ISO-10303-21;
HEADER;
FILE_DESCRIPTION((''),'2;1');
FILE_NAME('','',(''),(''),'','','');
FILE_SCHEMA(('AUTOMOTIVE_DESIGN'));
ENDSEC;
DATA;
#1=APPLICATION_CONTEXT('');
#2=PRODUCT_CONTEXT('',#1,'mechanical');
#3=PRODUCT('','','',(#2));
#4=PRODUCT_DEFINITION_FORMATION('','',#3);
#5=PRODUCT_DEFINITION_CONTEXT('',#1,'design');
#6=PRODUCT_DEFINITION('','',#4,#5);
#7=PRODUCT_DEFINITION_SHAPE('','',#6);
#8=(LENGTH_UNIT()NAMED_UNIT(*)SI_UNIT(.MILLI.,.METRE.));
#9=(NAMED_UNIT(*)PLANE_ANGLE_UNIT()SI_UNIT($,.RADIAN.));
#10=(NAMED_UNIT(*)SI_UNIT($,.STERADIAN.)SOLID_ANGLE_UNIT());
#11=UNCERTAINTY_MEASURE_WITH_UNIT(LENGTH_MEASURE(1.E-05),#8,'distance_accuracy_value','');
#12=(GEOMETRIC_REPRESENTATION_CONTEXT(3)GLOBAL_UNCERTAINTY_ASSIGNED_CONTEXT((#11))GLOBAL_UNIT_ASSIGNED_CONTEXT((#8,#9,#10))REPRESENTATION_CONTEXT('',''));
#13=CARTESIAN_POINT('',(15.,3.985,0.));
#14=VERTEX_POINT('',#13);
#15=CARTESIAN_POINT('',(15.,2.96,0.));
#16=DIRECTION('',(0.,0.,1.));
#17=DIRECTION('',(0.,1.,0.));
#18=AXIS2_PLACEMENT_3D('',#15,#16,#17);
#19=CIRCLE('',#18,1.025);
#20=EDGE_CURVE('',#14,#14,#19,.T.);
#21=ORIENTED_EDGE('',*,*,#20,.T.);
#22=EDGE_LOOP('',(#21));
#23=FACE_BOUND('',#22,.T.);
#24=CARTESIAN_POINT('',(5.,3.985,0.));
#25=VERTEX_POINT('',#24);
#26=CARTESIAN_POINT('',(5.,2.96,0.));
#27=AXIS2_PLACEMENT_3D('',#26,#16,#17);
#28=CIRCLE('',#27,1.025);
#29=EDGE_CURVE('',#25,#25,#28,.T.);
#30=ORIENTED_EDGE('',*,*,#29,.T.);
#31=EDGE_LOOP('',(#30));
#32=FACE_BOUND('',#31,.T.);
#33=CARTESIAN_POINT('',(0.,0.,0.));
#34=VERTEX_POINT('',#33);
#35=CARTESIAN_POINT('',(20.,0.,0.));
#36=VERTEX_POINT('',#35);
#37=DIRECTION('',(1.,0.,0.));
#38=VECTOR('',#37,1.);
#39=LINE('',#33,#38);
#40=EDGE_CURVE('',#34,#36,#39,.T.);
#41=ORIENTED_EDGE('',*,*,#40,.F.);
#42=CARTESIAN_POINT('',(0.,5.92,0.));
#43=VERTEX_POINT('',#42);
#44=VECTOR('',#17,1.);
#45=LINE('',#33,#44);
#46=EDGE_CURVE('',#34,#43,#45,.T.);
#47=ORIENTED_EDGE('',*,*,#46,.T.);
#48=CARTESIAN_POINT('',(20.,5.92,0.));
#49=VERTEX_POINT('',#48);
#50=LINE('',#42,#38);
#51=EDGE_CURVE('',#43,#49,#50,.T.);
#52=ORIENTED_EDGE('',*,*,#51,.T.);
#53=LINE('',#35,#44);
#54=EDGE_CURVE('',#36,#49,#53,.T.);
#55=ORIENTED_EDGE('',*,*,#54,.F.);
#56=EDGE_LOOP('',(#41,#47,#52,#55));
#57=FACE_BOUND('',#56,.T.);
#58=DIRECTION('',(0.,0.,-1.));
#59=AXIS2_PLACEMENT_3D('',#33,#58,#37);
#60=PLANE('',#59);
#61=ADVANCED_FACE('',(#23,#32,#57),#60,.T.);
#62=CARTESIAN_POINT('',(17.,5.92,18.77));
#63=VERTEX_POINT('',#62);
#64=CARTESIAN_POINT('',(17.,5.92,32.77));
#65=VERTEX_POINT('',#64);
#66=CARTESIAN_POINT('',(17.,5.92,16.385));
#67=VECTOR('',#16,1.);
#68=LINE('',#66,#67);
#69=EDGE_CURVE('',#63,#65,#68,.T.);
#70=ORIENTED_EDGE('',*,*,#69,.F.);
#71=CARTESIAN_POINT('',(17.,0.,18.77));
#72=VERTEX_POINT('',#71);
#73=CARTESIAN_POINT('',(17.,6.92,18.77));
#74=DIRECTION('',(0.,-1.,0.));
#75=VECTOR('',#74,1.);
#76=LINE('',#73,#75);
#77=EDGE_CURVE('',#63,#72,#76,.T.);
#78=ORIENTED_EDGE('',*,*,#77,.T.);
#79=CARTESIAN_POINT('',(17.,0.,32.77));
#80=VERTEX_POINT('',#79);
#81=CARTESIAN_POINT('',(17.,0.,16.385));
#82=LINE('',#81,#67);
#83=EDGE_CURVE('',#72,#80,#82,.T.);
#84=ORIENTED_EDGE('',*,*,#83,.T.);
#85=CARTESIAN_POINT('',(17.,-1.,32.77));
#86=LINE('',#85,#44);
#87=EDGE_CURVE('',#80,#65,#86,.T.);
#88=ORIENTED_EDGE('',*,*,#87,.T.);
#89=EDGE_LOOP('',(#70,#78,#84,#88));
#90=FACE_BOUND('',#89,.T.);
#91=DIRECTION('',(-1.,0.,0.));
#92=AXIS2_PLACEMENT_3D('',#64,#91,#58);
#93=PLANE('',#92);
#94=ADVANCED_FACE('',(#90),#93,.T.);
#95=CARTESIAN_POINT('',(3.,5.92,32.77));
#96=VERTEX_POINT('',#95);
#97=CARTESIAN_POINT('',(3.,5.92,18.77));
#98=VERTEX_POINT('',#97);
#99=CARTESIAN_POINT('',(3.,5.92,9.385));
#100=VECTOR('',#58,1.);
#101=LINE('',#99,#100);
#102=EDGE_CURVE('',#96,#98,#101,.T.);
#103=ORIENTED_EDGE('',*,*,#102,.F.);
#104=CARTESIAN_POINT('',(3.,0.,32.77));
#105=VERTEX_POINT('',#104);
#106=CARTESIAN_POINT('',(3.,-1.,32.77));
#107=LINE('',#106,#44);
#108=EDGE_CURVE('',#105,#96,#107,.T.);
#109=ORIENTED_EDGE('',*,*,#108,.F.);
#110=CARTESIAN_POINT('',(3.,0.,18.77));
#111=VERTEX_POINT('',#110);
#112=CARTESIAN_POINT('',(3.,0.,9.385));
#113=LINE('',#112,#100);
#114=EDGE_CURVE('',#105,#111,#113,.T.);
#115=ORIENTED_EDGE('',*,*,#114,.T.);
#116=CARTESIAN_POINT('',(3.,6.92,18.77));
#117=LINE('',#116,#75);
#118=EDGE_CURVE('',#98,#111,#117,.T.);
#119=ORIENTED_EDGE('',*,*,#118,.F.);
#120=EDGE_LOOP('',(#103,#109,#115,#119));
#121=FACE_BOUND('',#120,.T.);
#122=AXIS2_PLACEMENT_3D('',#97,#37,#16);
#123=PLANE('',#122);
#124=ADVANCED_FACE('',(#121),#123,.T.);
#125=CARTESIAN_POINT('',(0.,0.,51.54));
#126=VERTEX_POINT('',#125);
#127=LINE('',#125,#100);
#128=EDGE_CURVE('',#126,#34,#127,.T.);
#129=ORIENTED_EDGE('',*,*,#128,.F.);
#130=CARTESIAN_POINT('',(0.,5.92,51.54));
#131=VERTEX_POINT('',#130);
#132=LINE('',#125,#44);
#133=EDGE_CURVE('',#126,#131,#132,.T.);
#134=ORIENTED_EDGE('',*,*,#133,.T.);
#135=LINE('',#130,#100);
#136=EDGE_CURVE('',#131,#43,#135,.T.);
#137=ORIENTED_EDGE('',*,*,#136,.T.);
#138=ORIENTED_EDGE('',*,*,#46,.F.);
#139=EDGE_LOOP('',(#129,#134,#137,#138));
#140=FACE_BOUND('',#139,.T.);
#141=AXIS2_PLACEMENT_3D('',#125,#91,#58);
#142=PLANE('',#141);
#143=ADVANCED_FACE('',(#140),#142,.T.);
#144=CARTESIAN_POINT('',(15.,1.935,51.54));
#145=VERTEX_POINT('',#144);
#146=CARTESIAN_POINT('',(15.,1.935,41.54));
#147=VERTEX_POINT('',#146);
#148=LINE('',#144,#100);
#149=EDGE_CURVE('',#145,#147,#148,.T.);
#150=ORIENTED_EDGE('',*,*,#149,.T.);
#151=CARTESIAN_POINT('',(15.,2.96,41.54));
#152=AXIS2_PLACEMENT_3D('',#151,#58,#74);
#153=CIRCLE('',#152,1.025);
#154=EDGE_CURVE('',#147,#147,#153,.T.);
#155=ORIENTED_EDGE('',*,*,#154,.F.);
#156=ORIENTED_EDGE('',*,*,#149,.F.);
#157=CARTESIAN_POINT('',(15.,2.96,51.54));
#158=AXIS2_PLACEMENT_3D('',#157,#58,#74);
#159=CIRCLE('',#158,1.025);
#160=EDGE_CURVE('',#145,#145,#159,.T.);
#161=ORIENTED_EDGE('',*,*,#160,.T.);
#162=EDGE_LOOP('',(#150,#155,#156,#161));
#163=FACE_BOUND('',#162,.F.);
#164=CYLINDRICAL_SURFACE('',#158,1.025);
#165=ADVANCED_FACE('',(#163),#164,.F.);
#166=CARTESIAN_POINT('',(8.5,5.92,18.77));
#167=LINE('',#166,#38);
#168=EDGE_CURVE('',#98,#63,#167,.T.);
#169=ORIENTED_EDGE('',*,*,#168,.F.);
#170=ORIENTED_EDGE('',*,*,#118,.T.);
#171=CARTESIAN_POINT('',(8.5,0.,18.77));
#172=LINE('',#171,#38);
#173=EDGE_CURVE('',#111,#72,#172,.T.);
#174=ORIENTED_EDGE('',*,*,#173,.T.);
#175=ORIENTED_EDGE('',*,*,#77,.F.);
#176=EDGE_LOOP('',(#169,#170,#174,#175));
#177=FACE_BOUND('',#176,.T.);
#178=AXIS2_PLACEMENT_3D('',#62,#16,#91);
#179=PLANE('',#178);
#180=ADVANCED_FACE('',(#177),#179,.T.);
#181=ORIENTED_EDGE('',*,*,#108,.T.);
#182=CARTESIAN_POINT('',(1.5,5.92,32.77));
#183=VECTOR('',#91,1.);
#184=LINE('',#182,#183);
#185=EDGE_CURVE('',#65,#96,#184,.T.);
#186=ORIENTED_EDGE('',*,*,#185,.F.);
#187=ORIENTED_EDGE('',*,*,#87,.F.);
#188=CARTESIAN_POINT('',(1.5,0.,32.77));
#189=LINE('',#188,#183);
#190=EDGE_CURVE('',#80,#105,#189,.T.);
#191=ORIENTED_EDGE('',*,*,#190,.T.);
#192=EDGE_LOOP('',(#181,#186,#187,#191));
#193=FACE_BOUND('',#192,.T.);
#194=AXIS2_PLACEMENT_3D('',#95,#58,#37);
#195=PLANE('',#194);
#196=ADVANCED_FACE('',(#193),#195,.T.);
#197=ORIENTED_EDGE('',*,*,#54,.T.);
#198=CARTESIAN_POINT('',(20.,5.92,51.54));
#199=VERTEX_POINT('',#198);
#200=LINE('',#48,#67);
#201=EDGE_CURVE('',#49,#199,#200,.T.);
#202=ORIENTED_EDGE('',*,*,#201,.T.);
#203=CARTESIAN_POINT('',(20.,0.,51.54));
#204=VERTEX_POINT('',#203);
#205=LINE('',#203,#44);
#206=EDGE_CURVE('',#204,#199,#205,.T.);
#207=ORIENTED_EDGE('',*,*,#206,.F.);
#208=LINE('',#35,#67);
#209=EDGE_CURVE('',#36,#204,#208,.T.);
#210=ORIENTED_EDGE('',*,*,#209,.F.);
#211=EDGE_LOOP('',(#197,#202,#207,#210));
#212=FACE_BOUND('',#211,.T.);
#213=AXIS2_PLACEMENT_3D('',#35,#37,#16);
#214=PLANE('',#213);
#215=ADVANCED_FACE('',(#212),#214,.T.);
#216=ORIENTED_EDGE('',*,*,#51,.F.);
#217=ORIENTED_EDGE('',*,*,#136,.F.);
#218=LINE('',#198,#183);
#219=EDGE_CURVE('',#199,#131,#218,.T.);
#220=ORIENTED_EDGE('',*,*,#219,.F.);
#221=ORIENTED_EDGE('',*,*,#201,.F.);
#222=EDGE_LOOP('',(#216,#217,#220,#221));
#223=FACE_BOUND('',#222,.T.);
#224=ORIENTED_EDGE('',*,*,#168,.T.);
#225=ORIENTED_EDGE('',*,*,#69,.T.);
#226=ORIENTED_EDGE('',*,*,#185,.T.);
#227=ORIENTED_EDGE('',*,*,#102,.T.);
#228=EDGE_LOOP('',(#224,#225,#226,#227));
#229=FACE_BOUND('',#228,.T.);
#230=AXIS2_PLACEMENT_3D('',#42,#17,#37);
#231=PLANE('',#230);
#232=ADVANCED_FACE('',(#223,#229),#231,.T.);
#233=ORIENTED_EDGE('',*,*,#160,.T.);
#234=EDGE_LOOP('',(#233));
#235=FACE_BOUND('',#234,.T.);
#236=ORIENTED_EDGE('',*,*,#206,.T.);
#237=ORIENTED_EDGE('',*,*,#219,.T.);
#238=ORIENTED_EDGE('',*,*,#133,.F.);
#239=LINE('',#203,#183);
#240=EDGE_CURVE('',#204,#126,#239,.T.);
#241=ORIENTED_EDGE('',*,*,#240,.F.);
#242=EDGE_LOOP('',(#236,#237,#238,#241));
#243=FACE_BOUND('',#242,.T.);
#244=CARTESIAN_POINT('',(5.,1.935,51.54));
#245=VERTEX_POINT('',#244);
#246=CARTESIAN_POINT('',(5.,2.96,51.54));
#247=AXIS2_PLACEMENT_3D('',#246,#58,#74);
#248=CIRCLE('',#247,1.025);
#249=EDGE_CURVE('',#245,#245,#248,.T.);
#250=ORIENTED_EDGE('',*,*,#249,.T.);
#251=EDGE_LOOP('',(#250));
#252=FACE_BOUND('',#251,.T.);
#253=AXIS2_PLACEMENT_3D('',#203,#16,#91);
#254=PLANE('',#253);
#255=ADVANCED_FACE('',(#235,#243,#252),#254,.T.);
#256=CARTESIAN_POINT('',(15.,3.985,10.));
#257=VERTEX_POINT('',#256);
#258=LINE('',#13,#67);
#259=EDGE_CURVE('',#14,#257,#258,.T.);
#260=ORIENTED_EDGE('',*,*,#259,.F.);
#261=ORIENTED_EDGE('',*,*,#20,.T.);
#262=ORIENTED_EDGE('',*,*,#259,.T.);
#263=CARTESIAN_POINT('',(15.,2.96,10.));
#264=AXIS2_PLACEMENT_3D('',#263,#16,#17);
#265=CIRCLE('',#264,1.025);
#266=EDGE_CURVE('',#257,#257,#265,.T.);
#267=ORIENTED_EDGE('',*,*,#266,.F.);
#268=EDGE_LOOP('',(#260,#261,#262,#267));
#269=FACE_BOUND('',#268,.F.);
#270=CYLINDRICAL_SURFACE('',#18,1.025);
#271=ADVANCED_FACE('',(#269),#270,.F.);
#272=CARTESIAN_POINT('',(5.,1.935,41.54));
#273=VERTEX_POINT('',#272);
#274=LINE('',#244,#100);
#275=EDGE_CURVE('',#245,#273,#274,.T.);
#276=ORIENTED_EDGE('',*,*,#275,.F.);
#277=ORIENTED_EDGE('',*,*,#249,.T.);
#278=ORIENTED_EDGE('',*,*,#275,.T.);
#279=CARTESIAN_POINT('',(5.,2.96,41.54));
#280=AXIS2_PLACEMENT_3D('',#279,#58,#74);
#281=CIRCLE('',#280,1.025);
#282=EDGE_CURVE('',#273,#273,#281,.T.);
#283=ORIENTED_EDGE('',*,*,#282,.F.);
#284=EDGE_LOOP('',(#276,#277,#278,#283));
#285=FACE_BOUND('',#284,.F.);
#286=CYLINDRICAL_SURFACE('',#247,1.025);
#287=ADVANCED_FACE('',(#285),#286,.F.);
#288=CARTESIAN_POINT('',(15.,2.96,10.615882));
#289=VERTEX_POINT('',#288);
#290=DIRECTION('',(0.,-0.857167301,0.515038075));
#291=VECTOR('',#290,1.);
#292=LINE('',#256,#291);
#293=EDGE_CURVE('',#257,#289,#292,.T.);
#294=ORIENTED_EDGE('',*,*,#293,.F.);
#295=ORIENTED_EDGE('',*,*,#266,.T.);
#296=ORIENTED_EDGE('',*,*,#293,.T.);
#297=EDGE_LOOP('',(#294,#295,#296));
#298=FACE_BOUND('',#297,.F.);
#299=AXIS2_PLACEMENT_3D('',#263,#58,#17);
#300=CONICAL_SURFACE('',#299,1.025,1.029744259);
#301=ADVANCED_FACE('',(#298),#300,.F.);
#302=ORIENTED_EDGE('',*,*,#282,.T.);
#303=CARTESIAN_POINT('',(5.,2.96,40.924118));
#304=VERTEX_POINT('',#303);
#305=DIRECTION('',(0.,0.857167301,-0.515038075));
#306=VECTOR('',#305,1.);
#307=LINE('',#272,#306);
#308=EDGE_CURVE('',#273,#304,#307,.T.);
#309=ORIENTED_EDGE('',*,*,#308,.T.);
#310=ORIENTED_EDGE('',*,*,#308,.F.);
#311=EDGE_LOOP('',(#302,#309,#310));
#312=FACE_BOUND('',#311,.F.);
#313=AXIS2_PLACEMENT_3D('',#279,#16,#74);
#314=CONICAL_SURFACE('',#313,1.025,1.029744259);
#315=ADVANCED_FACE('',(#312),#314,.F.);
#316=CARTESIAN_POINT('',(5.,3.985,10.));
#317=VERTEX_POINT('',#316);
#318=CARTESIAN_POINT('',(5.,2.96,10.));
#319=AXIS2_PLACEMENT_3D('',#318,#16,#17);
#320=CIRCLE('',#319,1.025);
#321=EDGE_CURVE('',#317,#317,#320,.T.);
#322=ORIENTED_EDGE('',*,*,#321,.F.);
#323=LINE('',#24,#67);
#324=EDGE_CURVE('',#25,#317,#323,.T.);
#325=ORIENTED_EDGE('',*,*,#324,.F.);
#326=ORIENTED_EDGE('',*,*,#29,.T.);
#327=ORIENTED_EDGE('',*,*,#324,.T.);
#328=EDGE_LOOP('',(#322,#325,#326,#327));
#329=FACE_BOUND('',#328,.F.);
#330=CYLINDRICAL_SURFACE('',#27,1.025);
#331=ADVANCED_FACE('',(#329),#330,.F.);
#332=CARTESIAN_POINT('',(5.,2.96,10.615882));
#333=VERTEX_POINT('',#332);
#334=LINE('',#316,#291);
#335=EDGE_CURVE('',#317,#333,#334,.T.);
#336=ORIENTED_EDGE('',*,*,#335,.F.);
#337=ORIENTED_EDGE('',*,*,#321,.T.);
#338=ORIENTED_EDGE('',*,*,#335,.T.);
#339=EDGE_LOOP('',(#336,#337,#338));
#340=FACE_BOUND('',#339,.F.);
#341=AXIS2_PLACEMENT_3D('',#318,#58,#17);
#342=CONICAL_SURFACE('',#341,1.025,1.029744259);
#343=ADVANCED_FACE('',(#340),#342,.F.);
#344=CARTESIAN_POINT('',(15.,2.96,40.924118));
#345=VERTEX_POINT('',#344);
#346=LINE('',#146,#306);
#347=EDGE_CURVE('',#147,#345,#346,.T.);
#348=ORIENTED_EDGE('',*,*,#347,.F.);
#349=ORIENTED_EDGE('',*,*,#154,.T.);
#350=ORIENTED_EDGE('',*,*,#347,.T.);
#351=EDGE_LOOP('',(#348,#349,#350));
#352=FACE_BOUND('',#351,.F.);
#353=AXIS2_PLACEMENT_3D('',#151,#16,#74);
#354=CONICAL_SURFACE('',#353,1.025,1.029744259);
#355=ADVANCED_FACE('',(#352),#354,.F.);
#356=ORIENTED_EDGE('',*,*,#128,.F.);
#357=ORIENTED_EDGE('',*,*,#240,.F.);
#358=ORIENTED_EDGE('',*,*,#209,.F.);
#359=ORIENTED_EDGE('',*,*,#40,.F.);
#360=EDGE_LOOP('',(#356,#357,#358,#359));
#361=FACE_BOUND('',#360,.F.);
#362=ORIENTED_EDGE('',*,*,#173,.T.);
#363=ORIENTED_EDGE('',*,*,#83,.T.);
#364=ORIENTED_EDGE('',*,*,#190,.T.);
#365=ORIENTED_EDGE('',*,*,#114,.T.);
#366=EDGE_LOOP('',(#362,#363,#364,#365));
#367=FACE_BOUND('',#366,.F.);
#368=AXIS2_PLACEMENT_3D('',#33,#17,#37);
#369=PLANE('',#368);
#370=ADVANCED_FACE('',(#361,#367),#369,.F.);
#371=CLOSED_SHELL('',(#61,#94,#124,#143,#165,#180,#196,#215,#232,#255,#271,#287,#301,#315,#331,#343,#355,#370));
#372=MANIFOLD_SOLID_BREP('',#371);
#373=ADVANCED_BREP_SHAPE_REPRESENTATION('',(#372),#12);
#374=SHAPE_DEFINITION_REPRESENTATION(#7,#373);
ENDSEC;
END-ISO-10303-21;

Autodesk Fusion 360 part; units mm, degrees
sketch "Sketch1" plane through (0, 0, 0) normal (0, 1, 0) x (1, 0, 0)
  line L0 (0, 0) -> (20, 0)
  line L1 (20, 0) -> (20, -51.54)
  line L2 (20, -51.54) -> (0, -51.54)
  line L3 (0, -51.54) -> (0, 0)
  dimension "d1" = 20
  dimension "d2" = 51.54
extrude "Extrude1" add sketch "Sketch1" along normal blind 5.92
sketch "Sketch2" plane through (0, 5.92, 0) normal (0, 1, 0) x (-1, 0, 0)
  line L0 (0, 51.54) -> (-20, 51.54)
  line L1 (-20, 51.54) -> (-20, 0)
  line L2 (-20, 0) -> (0, 0)
  line L3 (0, 0) -> (0, 51.54)
  line L4 (-10, 0) -> (-10, 49) construction
  line L5 (0, 25.77) -> (-20, 25.77) construction
  line L6 (-3, 32.77) -> (-17, 32.77)
  line L7 (-17, 32.77) -> (-17, 18.77)
  line L8 (-17, 18.77) -> (-3, 18.77)
  line L9 (-3, 18.77) -> (-3, 32.77)
  line L10 (-3, 32.77) -> (-17, 18.77) construction
  line L11 (-17, 32.77) -> (-3, 18.77) construction
  point P0 (-10, 25.77)
  dimension "d5" = 14
  dimension "d6" = 14
extrude "Extrude2" cut sketch "Sketch2" along normal through all and the other way through all contours L6 L7 L8 L9
sketch "Sketch3" plane through (0, 0, 51.54) normal (0, 0, 1) x (1, 0, 0)
  line L0 (0, 0) -> (20, 0)
  line L1 (20, 0) -> (20, 5.92)
  line L2 (20, 5.92) -> (0, 5.92)
  line L3 (0, 5.92) -> (0, 0)
  line L4 (10, 5.92) -> (10, 0) construction
  line L5 (20, 2.96) -> (0, 2.96) construction
  point P0 (5, 2.96)
  point P1 (15, 2.96)
  dimension "d12" = 10
  dimension "d13" = 5
hole "Hole1" at (5, 2.96, 51.54) direction (0, 0, -1) diameter 2.05 depth 10 tip angle 118
hole "Hole2" at (15, 2.96, 51.54) direction (0, 0, -1) diameter 2.05 depth 10 tip angle 118
sketch "Sketch4" plane through (0, 0, 0) normal (0, 0, -1) x (-1, 0, 0)
  line L0 (-20, 0) -> (0, 0)
  line L1 (0, 0) -> (0, 5.92)
  line L2 (0, 5.92) -> (-20, 5.92)
  line L3 (-20, 5.92) -> (-20, 0)
  line L4 (-20, 2.96) -> (0, 2.96) construction
  point P0 (-15, 2.96)
  point P1 (-5, 2.96)
  dimension "d30" = 10
  dimension "d31" = 5
hole "Hole5" at (15, 2.96, 0) direction (0, 0, 1) diameter 2.05 depth 10 tip angle 118
hole "Hole6" at (5, 2.96, 0) direction (0, 0, 1) diameter 2.05 depth 10 tip angle 118
